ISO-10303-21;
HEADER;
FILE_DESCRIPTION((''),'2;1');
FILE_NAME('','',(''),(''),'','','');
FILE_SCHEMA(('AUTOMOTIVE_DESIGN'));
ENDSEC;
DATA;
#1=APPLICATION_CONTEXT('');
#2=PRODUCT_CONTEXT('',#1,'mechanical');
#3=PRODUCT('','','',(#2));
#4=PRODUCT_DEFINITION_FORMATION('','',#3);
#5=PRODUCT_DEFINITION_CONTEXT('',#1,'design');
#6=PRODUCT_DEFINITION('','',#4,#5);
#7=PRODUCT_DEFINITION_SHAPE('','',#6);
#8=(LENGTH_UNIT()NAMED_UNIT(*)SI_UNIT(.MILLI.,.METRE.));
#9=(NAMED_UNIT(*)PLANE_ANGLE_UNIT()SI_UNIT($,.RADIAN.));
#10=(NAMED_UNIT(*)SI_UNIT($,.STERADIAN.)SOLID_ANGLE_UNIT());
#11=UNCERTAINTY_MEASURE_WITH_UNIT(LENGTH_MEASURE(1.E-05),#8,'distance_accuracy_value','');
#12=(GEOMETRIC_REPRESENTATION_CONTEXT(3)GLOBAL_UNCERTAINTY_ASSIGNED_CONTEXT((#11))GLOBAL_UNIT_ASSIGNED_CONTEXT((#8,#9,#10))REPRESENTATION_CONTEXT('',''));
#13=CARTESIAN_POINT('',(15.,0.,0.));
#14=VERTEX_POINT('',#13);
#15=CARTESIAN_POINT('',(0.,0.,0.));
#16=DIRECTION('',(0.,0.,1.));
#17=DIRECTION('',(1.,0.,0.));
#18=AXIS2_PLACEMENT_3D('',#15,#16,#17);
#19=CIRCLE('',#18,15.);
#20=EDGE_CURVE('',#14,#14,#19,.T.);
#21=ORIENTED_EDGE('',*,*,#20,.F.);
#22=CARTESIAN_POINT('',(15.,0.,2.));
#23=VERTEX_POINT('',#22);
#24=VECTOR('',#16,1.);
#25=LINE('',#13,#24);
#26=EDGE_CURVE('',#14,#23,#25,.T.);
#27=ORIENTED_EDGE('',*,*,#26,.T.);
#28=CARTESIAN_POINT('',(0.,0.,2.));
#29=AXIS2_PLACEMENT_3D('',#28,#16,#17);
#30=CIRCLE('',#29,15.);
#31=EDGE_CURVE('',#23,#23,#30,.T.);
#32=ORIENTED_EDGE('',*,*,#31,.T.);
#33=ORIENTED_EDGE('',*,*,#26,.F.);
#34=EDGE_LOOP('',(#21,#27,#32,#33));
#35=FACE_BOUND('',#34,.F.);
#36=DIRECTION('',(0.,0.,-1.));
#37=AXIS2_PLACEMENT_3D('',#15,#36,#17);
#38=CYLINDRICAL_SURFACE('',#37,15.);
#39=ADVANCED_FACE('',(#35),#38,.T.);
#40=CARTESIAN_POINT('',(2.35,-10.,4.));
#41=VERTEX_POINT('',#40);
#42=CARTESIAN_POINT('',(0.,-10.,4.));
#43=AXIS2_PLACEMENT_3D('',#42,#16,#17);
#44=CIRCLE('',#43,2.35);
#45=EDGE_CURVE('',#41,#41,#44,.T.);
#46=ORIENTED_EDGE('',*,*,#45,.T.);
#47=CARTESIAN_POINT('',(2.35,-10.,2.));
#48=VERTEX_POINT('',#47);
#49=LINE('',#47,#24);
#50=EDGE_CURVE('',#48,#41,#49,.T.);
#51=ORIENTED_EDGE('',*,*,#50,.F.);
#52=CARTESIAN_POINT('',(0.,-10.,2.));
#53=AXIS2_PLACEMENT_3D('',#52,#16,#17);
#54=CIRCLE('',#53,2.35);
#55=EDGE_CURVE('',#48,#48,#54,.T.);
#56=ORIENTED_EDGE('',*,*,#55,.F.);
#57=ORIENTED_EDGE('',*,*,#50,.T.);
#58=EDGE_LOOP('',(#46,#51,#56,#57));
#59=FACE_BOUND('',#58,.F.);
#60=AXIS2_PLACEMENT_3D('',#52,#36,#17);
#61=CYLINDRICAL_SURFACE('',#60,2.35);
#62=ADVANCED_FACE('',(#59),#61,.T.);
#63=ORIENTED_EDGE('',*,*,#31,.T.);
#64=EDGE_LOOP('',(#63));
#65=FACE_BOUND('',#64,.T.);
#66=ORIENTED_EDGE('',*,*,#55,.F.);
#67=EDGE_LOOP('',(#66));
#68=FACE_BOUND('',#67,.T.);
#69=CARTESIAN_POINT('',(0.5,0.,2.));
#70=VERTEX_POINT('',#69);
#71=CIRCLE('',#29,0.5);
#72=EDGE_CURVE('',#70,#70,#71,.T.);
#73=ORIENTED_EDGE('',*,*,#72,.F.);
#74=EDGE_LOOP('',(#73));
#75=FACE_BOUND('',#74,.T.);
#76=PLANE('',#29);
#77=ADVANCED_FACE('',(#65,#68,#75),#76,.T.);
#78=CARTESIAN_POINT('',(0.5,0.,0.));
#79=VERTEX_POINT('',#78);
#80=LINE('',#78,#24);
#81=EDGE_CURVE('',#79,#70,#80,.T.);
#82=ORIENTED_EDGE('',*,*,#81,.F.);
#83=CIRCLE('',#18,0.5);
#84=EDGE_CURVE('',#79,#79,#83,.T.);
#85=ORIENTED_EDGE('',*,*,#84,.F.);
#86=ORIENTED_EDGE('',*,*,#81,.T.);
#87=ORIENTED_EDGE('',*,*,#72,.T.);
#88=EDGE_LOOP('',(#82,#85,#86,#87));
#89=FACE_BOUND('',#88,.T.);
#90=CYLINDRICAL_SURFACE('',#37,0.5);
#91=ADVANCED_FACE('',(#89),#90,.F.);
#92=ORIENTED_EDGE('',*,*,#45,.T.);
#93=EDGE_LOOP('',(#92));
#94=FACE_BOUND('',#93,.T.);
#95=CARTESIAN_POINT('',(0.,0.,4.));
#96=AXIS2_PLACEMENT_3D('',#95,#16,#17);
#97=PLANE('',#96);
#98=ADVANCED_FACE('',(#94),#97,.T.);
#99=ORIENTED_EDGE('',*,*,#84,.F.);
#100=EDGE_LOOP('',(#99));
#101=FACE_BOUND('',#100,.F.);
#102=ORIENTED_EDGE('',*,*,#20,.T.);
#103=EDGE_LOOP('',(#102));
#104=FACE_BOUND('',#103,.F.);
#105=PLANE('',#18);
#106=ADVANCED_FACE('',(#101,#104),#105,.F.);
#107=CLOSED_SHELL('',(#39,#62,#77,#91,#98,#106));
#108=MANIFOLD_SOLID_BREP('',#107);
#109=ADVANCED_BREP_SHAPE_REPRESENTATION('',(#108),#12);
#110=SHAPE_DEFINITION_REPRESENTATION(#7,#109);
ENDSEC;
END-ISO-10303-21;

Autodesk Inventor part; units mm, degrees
ref_plane "YZ Plane" through (0, 0, 0) normal (1, 0, 0) x (0, 1, 0)
ref_plane "XZ Plane" through (0, 0, 0) normal (0, 1, 0) x (-1, 0, 0)
ref_plane "XY Plane" through (0, 0, 0) normal (0, 0, 1) x (1, 0, 0)
sketch "Boceto1" plane through (0, 0, 0) normal (0, 0, 1) x (1, 0, 0)
  circle A0 centre (0, 0) radius 15
  circle A1 centre (0, 0) radius 0.5
  dimension "d0" = 30
  dimension "d1" = 1
extrude "Extrusión1" add sketch "Boceto1" along normal blind 2
sketch "Boceto2" plane through (0, 0, 2) normal (0, 0, 1) x (1, 0, 0)
  circle A0 centre (0, 0) radius 0.5 projected
  circle A1 centre (0, -10) radius 2.35
  dimension "d4" = 4.7
  dimension "d6" = 10
extrude "Extrusión2" add sketch "Boceto2" along normal blind 2 contours A1
properties part number "Rueda interna"
